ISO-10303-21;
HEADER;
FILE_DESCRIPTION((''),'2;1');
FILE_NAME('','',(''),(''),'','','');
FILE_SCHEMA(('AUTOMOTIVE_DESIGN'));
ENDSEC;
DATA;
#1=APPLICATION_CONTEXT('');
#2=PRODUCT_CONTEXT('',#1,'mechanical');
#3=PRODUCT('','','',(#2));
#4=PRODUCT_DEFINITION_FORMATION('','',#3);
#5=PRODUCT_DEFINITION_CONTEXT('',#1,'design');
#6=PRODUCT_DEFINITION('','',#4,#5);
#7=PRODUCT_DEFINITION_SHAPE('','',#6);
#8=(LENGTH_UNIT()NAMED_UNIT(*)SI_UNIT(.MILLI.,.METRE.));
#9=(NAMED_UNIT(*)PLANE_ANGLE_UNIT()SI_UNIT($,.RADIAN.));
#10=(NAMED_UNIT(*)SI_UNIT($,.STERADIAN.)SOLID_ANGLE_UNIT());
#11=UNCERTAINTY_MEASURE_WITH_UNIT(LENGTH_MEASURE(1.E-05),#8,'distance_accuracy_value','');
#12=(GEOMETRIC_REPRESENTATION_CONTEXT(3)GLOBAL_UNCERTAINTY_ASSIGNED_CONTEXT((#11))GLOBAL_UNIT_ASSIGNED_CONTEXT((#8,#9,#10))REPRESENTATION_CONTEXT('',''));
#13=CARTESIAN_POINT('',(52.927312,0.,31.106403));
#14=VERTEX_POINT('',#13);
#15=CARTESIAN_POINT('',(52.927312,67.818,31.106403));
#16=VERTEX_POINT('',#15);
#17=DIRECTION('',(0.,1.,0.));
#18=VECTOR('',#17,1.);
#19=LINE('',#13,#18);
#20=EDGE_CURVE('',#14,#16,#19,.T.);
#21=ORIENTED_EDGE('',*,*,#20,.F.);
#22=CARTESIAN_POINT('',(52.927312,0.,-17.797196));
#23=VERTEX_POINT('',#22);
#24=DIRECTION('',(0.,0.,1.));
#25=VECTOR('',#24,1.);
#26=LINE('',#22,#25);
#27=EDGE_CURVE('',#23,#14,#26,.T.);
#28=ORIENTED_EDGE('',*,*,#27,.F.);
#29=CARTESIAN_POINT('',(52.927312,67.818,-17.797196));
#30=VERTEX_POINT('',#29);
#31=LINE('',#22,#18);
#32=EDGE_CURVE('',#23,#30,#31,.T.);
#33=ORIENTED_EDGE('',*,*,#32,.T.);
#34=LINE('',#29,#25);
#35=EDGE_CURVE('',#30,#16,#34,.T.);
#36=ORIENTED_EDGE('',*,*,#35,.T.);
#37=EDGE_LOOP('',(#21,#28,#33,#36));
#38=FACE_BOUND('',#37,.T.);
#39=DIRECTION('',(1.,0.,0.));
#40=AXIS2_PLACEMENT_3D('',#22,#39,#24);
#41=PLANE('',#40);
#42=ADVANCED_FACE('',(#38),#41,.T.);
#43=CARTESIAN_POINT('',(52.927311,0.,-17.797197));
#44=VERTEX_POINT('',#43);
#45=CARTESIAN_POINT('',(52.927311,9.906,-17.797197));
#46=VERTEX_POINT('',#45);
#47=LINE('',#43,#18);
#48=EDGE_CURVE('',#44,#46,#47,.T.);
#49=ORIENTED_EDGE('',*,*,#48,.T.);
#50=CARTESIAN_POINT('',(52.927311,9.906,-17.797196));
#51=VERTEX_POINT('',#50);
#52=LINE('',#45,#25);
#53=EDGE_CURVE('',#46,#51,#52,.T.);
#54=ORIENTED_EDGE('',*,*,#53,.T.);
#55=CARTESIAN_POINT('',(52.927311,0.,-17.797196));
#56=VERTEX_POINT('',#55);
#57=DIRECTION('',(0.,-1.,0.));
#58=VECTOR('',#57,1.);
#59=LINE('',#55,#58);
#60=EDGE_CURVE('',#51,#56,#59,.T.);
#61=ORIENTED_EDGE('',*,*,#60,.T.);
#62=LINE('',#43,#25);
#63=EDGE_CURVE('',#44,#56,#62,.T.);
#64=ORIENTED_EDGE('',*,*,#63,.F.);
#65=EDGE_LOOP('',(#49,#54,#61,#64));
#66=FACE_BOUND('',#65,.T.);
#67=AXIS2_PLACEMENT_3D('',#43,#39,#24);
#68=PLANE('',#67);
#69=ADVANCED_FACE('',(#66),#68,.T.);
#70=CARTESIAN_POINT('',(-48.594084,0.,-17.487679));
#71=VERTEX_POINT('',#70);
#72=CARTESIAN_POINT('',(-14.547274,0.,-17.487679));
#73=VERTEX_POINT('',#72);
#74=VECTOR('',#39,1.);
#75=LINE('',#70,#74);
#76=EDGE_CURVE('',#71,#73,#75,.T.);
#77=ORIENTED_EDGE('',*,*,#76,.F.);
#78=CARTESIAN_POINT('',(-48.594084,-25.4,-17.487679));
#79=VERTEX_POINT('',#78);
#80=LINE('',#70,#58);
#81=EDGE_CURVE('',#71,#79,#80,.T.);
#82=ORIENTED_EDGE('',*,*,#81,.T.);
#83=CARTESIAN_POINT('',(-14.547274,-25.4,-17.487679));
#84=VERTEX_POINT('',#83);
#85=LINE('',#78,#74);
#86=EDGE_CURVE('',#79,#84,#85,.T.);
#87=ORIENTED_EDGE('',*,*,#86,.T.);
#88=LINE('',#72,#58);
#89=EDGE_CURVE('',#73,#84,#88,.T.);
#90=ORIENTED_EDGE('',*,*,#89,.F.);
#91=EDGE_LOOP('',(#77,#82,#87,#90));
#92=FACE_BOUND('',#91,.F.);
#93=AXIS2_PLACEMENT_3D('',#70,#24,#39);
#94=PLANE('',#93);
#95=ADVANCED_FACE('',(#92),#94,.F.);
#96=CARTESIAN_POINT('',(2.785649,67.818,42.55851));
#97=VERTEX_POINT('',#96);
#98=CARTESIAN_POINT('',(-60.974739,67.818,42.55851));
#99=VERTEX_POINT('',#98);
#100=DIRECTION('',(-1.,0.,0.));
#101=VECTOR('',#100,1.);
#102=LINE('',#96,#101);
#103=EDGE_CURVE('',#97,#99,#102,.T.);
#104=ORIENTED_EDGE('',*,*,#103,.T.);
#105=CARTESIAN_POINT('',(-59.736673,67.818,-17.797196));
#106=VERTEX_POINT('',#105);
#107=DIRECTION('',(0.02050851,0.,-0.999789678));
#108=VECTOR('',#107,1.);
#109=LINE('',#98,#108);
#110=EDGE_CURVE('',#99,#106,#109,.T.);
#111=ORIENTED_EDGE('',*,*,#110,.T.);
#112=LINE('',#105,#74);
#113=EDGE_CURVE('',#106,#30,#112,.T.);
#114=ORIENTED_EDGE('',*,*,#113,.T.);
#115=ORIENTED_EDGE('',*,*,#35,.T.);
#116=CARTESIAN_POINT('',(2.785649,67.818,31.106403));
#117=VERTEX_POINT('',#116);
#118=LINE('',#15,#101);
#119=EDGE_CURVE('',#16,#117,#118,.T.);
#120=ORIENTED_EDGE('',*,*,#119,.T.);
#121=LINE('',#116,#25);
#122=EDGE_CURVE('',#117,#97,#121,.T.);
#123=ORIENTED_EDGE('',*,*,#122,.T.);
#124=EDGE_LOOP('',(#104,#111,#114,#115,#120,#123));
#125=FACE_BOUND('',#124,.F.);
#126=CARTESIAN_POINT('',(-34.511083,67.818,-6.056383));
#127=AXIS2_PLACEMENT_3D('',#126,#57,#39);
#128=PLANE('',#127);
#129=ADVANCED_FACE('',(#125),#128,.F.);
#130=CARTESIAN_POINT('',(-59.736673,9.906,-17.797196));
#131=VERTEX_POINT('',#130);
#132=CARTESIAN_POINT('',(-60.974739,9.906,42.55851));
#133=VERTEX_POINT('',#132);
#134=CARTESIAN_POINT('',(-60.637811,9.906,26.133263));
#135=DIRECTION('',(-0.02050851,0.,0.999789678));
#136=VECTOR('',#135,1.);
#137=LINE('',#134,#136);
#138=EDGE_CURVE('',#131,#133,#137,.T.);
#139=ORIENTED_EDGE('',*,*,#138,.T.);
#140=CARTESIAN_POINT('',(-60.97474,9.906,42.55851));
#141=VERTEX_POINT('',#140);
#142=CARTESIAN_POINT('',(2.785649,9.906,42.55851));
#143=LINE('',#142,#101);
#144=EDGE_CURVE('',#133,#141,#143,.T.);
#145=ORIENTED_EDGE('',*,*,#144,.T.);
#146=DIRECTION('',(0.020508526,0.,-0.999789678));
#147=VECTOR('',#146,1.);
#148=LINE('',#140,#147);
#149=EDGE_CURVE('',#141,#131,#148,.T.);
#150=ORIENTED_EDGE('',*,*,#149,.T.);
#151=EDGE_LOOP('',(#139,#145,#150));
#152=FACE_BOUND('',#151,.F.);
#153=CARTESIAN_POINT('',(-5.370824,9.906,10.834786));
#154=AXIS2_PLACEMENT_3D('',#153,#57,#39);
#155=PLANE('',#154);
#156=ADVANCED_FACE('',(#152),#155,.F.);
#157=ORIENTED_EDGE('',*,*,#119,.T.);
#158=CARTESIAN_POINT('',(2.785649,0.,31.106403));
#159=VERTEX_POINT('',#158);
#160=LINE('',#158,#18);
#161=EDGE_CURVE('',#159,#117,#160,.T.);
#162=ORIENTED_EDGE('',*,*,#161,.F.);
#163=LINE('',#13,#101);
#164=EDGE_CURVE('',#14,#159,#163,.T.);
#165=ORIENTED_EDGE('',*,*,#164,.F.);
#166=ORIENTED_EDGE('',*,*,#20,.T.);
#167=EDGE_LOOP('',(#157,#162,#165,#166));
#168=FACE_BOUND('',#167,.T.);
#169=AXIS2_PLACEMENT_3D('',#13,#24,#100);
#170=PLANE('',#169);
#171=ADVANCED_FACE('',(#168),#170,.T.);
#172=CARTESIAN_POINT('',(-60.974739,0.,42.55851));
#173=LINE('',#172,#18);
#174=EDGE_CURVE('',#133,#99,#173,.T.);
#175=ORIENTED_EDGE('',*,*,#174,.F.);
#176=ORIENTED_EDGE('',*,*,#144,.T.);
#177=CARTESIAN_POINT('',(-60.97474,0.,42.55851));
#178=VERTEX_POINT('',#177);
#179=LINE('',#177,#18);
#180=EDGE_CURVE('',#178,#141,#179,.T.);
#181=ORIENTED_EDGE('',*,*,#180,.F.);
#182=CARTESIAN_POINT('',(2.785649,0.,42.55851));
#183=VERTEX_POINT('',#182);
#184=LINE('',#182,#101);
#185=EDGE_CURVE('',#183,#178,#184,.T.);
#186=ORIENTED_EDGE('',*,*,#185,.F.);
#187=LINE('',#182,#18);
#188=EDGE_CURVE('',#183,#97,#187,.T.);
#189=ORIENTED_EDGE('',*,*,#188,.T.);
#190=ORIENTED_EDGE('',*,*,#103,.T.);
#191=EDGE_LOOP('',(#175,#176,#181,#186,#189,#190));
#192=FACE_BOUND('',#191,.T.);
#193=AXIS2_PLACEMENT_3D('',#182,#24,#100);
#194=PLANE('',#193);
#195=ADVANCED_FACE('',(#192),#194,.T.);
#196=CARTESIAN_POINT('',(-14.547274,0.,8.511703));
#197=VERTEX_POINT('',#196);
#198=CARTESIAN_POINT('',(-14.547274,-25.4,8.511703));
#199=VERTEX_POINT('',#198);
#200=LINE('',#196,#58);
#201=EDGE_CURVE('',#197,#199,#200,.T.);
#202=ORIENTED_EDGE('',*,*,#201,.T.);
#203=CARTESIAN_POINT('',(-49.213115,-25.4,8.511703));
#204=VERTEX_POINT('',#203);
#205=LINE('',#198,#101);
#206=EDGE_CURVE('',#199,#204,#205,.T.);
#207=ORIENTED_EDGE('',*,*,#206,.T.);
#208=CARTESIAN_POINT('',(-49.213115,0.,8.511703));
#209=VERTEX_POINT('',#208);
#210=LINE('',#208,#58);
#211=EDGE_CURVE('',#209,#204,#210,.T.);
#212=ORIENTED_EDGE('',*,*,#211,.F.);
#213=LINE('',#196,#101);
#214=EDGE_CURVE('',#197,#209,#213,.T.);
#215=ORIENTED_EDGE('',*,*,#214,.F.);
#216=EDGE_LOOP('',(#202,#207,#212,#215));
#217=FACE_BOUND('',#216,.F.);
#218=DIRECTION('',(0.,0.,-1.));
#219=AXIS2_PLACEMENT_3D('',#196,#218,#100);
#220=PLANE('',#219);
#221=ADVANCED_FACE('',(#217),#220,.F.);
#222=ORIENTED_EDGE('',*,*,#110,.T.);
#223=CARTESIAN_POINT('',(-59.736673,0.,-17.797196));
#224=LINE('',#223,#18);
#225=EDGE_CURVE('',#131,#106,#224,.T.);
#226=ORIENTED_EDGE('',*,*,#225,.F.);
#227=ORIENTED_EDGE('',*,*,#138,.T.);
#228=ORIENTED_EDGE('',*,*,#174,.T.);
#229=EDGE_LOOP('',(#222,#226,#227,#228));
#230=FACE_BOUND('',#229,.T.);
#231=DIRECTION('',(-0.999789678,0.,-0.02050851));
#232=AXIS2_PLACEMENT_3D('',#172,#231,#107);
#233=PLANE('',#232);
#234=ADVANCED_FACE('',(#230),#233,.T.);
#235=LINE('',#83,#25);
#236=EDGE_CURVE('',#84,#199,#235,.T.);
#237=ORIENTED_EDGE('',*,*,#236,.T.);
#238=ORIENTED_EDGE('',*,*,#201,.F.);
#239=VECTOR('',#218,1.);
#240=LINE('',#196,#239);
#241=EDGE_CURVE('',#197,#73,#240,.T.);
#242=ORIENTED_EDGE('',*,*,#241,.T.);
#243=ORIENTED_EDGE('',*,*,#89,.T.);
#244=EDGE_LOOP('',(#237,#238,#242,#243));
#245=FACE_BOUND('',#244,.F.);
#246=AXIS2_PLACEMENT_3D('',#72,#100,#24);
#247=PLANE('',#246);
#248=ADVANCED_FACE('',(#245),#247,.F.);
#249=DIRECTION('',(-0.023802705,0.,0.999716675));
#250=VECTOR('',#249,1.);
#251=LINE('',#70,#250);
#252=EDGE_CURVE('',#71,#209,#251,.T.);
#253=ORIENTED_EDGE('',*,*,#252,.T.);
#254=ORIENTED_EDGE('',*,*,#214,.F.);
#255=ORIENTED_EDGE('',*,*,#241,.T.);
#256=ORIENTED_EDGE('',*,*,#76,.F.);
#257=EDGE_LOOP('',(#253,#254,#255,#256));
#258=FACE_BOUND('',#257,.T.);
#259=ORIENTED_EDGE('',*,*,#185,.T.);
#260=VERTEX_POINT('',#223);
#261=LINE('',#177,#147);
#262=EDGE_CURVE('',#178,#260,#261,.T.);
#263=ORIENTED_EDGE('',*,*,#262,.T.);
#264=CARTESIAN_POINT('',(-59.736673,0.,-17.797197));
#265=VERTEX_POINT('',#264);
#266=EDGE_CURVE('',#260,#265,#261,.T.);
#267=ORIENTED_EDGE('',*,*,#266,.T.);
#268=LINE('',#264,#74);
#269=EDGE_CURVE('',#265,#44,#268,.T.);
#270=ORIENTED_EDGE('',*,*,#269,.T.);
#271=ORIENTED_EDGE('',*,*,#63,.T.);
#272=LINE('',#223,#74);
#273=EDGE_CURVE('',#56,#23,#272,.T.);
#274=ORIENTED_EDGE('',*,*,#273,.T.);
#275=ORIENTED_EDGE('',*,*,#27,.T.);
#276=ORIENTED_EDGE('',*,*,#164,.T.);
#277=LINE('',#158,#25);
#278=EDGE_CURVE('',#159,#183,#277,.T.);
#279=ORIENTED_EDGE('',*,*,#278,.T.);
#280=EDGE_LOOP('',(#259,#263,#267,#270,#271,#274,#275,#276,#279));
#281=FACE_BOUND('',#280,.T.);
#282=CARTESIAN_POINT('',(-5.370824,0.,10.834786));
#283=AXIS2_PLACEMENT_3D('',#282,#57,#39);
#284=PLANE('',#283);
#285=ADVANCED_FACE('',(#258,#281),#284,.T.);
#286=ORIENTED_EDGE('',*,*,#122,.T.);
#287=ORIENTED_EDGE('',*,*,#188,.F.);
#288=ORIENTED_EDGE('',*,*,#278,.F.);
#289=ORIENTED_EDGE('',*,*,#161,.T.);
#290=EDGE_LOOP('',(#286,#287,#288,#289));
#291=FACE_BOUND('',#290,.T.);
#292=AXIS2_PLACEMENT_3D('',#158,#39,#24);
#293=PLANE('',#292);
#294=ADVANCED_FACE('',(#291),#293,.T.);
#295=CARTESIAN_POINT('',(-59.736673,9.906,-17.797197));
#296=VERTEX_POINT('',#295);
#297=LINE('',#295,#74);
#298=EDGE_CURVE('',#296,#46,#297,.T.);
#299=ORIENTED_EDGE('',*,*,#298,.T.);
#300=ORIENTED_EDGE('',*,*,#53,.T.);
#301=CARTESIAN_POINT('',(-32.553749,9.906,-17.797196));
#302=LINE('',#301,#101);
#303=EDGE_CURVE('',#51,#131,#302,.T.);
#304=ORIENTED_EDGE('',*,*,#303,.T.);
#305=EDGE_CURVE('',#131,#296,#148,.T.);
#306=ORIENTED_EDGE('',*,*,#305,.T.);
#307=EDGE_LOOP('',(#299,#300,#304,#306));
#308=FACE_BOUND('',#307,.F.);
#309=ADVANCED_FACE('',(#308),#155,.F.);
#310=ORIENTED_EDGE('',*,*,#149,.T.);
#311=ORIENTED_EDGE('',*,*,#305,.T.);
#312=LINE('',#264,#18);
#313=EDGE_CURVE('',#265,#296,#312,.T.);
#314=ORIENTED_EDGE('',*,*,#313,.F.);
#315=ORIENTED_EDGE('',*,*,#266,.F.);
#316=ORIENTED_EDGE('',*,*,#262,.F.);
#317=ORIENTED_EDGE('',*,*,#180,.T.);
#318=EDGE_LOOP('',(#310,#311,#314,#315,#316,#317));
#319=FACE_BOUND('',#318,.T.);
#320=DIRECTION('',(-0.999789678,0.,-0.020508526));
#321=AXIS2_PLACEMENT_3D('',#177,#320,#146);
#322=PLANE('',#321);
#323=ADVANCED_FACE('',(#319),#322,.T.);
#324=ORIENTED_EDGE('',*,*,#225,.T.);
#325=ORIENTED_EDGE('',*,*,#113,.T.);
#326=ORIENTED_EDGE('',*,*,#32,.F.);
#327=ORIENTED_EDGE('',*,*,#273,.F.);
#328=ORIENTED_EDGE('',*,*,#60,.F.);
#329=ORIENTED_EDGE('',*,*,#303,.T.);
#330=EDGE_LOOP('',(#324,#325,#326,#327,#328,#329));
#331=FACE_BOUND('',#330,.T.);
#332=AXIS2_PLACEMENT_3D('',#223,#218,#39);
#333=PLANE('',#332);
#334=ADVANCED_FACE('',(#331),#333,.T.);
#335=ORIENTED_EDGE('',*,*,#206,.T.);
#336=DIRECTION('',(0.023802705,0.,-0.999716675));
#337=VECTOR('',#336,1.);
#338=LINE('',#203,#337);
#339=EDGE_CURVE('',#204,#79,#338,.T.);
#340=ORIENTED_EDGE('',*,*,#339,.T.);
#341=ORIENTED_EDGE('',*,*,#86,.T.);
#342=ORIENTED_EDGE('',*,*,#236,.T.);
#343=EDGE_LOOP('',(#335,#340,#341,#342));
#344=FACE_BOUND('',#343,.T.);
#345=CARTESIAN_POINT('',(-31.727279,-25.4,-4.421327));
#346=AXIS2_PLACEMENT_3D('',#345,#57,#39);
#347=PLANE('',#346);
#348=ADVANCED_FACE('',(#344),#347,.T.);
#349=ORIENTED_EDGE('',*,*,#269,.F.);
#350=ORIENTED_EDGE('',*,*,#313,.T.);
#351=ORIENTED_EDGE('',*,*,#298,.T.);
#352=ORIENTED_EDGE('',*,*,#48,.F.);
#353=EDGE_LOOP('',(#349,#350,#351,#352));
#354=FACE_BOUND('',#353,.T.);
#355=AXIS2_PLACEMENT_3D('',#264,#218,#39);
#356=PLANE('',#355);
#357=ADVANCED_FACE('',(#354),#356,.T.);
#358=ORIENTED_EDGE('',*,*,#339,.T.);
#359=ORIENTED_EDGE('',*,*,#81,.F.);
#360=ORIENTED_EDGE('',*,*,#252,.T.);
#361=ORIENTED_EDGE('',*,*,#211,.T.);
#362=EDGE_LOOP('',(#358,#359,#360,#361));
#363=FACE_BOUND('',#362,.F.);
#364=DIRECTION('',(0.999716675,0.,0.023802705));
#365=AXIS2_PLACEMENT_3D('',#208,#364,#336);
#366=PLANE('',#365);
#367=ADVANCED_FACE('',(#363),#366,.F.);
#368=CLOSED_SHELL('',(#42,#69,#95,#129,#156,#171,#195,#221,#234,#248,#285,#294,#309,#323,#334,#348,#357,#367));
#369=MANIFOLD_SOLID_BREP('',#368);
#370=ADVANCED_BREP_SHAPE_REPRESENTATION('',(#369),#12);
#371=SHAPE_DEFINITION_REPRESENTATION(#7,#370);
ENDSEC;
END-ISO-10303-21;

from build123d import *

# Parameters (mm, degrees)
F1_DEPTH = 67.818
F3_DEPTH = 25.4
F4_DEPTH = 9.906


with BuildPart() as f1:
    # F0 (on Front) → F1 (new body)
    with BuildSketch(Plane.XZ):
        Polygon((-50.623337, 5.684429), (-50.141662, -17.797196), (-18.398829, -17.797196), (-18.880503, 5.684429), align=None)
        Polygon((2.785649, 42.55851), (-60.974739, 42.55851), (-59.736673, -17.797196), (-50.141662, -17.797196), (-50.623337, 5.684429), (-18.880503, 5.684429), (-18.398829, -17.797196), (-9.904526, -17.797196), (0, -17.797196), (52.927312, -17.797196), (52.927312, 31.106403), (2.785649, 31.106403), align=None)
    extrude(amount=-F1_DEPTH)

    # F2 (on Front) → F3 (join)
    with BuildSketch(Plane.XZ):
        Polygon((-14.547274, 8.511703), (-49.213115, 8.511703), (-48.594084, -17.487679), (-14.547274, -17.487679), align=None)
    extrude(amount=F3_DEPTH)

    # F1_face (on face) → F4 (join)
    with BuildSketch(Plane(origin=(-2.431348, 0, 12.63539), x_dir=(1, 0, 0), z_dir=(0, -1, 0))):
        Polygon((-57.305325, -30.432587), (55.358659, -30.432587), (55.358659, 18.471013), (5.216997, 18.471013), (5.216997, 29.92312), (-58.543392, 29.92312), align=None)
        Polygon((-46.781767, -4.123688), (-12.115926, -4.123688), (-12.115926, -30.123069), (-46.162736, -30.123069), align=None, mode=Mode.SUBTRACT)
    extrude(amount=-F4_DEPTH)


solid = f1.part
